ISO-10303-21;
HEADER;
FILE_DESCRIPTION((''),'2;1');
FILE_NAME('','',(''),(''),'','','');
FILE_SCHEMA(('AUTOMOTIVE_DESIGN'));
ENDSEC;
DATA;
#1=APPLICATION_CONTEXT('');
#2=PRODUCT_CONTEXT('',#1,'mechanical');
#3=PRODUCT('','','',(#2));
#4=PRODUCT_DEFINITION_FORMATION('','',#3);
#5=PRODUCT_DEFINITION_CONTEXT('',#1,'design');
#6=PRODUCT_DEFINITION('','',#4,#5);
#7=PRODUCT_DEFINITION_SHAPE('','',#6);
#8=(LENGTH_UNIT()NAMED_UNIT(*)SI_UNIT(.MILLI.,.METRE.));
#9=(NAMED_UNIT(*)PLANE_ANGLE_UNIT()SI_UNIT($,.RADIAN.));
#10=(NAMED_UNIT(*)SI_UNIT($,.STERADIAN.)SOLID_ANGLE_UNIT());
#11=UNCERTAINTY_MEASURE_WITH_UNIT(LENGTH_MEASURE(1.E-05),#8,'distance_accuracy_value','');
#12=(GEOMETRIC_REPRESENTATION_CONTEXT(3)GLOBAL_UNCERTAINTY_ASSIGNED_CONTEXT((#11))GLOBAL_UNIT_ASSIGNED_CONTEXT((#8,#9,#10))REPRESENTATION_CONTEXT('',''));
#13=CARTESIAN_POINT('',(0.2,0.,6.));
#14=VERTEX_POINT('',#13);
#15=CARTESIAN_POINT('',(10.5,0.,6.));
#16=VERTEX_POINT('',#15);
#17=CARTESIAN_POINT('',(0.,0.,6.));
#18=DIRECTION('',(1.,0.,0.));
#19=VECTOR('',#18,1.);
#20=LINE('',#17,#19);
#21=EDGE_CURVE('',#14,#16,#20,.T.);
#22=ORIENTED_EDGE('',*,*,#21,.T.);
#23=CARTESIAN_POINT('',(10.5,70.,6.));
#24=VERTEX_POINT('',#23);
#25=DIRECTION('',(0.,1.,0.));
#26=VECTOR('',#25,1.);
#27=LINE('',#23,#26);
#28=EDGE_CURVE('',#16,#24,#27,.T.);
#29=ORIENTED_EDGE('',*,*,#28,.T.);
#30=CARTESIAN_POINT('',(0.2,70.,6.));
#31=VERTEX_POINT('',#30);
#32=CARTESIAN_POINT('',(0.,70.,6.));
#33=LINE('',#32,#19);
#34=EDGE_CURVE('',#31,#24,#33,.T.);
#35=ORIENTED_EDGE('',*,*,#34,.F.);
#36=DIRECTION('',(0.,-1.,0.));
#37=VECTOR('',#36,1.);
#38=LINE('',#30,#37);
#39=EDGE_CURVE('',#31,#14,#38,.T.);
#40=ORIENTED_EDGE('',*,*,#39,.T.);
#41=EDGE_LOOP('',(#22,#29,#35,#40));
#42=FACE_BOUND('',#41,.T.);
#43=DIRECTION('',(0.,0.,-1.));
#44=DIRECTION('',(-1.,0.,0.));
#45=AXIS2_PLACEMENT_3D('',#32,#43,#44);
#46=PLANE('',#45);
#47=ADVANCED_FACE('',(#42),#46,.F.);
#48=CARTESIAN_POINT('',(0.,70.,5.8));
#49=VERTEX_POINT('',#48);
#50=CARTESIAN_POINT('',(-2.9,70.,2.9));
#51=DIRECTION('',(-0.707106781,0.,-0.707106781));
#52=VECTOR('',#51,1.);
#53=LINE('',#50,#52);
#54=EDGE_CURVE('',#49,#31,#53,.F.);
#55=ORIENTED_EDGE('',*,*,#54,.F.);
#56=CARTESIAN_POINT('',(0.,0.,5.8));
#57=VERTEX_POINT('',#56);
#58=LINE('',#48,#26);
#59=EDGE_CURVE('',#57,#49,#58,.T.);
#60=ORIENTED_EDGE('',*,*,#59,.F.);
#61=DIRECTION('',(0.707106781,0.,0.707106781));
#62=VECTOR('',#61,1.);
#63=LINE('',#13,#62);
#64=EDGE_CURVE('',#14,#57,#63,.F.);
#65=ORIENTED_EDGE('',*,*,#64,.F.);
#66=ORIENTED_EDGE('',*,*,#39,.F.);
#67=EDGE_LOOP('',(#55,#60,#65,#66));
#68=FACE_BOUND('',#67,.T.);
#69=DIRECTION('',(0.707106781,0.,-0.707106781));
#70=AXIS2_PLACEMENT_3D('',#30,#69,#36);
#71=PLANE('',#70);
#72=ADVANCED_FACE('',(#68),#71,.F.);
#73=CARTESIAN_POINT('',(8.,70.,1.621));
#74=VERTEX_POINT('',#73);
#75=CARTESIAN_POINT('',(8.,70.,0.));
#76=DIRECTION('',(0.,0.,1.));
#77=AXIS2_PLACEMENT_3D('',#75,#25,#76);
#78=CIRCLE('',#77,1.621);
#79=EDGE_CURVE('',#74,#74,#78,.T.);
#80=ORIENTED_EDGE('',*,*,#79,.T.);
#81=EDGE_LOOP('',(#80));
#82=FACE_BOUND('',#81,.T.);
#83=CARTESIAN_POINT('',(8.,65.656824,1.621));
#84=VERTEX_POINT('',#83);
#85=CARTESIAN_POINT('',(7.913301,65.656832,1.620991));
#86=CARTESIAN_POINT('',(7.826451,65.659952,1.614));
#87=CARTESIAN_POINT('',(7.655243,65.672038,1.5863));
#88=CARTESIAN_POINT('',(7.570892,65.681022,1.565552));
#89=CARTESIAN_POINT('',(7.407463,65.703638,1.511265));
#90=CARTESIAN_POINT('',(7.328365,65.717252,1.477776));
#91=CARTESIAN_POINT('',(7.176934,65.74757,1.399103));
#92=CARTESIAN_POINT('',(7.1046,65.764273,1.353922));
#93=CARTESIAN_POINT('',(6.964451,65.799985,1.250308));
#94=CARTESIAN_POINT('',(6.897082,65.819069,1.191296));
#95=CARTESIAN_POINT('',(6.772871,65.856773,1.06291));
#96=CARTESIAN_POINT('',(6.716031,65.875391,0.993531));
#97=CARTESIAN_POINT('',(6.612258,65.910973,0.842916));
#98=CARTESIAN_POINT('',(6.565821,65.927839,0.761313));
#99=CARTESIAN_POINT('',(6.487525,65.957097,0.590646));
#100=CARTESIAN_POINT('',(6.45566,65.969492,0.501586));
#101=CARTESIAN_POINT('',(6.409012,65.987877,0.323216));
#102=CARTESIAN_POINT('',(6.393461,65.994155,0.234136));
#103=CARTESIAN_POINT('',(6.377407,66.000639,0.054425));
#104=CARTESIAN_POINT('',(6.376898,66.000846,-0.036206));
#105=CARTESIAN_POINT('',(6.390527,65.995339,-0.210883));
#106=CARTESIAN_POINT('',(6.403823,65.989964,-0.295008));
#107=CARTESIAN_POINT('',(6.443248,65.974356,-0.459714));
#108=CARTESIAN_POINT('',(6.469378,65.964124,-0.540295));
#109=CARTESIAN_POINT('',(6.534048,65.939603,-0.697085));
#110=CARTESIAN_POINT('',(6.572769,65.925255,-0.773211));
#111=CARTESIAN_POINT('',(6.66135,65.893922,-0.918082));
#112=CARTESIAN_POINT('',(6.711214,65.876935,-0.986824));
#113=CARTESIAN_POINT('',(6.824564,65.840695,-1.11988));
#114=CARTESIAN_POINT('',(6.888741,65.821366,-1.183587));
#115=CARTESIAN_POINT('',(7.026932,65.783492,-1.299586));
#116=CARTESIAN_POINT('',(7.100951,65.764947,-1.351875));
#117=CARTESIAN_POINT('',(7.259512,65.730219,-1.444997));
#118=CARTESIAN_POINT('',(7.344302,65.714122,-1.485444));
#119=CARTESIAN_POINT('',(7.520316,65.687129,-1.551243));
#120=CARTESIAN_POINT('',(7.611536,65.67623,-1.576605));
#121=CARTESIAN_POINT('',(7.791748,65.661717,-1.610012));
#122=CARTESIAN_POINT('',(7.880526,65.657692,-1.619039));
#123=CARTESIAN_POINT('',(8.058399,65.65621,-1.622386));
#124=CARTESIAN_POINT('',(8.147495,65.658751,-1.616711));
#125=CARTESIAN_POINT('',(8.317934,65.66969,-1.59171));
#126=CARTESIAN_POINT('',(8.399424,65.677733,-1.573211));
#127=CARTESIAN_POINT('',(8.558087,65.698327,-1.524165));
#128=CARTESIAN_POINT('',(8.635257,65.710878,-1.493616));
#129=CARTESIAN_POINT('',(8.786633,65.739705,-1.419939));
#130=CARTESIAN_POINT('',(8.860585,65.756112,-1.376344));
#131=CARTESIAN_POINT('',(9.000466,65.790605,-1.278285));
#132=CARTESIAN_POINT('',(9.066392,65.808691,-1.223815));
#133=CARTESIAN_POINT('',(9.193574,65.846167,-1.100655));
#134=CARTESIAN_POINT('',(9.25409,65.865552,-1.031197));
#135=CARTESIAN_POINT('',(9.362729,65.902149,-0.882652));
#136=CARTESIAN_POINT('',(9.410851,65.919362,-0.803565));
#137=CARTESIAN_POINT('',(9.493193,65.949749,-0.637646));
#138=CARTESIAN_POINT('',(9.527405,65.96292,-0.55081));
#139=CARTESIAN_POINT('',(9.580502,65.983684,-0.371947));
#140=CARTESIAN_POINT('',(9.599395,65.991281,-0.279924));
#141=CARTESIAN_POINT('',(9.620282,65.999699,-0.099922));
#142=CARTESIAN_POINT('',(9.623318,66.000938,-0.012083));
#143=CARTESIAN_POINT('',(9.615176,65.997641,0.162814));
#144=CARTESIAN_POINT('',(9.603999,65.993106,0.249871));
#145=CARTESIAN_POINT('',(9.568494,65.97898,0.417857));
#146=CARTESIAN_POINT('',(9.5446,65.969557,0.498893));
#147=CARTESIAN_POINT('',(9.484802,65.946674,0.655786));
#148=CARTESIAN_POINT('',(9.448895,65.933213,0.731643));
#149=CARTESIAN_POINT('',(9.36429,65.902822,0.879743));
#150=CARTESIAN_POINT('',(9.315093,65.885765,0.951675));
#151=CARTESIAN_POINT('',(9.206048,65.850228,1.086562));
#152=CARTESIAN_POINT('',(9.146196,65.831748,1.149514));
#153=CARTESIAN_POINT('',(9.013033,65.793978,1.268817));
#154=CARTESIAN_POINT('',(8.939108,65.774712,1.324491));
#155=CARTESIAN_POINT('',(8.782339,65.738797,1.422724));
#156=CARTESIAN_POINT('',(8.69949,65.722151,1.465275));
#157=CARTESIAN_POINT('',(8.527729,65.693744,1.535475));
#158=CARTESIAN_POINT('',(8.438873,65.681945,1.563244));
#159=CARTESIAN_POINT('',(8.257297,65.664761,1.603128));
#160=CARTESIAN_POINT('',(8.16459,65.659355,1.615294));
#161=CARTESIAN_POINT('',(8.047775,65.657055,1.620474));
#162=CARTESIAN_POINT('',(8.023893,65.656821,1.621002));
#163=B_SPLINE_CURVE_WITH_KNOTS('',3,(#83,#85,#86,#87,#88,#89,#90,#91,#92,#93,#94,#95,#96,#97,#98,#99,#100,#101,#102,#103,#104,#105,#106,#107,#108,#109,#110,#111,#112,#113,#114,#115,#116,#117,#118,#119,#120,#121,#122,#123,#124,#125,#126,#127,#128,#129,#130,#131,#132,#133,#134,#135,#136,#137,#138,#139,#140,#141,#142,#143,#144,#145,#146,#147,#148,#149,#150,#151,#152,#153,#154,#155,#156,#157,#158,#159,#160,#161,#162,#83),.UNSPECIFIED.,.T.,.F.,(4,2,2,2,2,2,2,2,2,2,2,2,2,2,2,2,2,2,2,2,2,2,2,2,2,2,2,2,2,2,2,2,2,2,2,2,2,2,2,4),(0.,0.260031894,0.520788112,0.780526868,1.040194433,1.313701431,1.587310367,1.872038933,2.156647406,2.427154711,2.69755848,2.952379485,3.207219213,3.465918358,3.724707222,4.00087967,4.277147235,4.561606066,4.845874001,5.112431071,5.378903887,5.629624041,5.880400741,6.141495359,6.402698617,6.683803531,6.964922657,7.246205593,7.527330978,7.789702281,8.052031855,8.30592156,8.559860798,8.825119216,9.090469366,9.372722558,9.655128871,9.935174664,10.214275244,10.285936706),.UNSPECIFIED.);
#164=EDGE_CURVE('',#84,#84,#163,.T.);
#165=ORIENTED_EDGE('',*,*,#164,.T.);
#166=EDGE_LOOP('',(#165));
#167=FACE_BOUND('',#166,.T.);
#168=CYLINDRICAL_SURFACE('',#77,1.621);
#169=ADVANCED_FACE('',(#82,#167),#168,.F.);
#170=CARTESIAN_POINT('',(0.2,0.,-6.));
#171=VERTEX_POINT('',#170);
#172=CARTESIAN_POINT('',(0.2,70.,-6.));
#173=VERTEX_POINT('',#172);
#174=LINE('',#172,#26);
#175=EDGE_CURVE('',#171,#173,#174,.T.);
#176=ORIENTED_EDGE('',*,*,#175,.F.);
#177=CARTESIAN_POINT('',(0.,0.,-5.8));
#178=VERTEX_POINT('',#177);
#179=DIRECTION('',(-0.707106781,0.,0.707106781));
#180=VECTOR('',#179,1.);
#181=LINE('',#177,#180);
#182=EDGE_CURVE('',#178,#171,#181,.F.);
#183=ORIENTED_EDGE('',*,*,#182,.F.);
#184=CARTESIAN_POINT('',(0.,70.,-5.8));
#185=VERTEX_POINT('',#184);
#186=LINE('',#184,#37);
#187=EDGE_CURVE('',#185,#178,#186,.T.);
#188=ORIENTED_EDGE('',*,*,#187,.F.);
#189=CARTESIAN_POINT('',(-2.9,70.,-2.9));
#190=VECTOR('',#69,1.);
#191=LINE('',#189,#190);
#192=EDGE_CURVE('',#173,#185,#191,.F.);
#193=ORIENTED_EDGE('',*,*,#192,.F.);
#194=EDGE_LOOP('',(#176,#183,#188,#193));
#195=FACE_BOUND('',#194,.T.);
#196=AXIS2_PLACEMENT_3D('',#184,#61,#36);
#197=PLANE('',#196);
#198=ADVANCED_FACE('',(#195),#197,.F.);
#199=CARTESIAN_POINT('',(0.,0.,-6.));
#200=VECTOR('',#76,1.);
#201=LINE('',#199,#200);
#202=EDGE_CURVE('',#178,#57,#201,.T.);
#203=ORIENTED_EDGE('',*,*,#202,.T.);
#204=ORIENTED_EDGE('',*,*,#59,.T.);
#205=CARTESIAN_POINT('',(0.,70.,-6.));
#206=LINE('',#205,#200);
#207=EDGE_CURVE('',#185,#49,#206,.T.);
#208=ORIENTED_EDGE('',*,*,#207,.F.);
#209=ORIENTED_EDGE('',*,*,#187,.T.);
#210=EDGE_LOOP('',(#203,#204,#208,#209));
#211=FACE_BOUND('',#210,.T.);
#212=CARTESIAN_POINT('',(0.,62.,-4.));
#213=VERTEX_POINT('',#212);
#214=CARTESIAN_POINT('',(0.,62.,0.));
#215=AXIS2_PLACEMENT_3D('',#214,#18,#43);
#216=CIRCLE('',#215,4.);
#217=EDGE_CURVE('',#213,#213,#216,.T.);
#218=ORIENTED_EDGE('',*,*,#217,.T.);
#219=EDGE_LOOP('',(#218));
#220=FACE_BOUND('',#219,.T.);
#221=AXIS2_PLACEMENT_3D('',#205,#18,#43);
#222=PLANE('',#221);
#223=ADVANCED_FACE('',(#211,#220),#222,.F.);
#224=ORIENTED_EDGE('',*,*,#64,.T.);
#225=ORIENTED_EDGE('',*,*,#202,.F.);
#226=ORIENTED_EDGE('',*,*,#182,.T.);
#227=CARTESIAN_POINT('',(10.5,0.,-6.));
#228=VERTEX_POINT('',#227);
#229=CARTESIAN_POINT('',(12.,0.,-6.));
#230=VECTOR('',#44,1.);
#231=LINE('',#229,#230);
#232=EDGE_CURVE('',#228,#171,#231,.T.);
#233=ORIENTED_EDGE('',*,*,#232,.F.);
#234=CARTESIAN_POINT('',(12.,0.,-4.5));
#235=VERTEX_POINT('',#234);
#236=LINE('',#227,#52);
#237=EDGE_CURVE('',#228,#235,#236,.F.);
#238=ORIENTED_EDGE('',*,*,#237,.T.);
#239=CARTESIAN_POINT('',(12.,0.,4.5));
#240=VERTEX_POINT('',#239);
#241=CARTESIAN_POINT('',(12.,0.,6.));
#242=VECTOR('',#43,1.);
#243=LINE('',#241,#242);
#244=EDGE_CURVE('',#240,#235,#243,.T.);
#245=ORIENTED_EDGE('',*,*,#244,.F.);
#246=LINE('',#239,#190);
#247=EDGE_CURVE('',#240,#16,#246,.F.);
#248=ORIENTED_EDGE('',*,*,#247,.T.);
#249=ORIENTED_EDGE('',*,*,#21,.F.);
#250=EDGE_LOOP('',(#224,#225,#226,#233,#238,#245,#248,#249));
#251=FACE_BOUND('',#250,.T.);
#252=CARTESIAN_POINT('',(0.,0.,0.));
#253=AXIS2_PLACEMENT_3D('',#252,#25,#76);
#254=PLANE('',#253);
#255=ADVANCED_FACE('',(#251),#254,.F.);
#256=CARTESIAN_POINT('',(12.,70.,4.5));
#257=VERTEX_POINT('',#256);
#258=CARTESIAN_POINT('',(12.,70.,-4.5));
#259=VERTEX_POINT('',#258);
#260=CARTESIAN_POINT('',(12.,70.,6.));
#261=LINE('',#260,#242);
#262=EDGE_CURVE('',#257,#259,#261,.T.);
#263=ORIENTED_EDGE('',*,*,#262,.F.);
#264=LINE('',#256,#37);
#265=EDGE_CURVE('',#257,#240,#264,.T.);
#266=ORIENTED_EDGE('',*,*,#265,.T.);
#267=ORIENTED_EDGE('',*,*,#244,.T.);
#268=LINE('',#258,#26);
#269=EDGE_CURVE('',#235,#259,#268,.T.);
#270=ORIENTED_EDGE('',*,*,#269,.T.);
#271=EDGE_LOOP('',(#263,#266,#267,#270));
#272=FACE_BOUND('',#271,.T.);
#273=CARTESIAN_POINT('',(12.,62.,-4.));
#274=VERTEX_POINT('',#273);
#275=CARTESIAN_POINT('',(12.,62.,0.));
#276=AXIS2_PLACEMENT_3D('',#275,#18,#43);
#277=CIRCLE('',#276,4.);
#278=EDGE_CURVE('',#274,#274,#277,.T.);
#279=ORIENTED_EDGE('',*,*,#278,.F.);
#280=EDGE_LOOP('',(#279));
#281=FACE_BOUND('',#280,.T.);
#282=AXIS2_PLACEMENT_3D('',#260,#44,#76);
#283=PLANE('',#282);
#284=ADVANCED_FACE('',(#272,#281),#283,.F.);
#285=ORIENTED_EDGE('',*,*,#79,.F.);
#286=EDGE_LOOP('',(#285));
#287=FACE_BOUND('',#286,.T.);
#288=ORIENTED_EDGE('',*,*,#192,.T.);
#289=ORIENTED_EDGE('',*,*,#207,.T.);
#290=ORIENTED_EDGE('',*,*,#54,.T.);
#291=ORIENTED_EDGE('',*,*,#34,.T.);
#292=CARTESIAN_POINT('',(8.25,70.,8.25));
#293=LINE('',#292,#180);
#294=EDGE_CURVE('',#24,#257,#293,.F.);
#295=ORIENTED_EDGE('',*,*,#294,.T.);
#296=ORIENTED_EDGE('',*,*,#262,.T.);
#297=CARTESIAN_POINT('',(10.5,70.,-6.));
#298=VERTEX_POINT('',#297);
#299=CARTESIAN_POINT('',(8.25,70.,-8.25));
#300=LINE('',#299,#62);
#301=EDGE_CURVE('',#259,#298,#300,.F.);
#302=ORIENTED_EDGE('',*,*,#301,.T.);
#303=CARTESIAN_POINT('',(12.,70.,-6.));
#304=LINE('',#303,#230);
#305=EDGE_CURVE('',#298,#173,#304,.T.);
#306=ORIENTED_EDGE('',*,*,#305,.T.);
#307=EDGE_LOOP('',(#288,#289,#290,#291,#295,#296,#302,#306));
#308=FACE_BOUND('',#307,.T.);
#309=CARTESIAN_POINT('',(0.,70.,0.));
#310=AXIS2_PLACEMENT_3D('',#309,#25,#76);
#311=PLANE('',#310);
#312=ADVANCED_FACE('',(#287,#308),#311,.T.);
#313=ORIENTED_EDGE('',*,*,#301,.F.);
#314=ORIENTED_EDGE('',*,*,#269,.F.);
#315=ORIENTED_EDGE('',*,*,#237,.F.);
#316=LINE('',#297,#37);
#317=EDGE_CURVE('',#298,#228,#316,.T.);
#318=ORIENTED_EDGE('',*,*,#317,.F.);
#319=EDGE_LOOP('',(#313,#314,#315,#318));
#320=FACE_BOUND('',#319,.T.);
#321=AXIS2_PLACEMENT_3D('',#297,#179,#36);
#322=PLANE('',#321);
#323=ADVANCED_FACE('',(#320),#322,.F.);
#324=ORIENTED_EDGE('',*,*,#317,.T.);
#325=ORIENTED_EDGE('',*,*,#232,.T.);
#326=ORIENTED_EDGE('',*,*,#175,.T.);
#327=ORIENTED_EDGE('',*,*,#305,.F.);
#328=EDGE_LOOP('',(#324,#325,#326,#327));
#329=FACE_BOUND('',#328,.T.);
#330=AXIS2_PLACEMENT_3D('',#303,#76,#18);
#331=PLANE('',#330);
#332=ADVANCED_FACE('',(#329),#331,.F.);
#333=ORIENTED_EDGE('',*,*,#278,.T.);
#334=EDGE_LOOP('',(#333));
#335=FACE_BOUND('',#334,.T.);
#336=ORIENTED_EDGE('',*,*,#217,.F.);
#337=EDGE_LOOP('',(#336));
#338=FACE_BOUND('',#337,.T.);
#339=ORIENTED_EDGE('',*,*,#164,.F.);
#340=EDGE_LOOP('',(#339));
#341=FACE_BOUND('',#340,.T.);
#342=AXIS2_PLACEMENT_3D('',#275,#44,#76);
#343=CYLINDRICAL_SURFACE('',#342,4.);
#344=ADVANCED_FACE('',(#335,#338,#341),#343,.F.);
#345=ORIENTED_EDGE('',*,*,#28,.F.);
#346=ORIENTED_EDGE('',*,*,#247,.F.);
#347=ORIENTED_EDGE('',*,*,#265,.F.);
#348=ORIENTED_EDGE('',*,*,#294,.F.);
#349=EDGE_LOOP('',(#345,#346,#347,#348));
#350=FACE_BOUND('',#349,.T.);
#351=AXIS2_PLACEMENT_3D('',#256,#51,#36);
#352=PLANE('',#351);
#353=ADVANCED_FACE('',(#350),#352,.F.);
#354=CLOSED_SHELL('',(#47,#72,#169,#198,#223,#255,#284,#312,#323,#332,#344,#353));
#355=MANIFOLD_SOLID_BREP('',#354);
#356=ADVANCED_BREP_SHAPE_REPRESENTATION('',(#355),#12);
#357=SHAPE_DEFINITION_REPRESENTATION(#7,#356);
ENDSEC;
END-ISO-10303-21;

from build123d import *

# Parameters (mm, degrees)
SKETCH1_W           = 12
SKETCH1_H           = 12
BOSS_EXTRUDE1_DEPTH = 70
CHAMFER1_SIZE       = 0.2
CHAMFER2_SIZE       = 1.5
SKETCH2_R           = 4
CUT_EXTRUDE1_DEPTH  = 72.274118725
TAP1_REACH          = 73.274
TAP1_BORE_R         = 1.621


with BuildPart() as part:
    # Sketch1 → Boss-Extrude1 (new body)
    with BuildSketch(Plane(origin=(0, 0, 0), x_dir=(1, 0, 0), z_dir=(0, 1, 0))):
        with Locations((6, 0)):
            Rectangle(SKETCH1_W, SKETCH1_H)
    extrude(amount=BOSS_EXTRUDE1_DEPTH)

    # Chamfer1
    chamfer1_edges = [part.edges().sort_by_distance(p)[0] for p in [
        (0, 35, 6),
        (0, 35, -6),
    ]]
    chamfer(chamfer1_edges, length=CHAMFER1_SIZE)

    # Chamfer2
    chamfer2_edges = [part.edges().sort_by_distance(p)[0] for p in [
        (12, 35, -6),
        (12, 35, 6),
    ]]
    chamfer(chamfer2_edges, length=CHAMFER2_SIZE)

    # Sketch2 → Cut-Extrude1 (cut, through all)
    with BuildSketch(Plane(origin=(0, 0, 0), x_dir=(0, 0, -1), z_dir=(1, 0, 0))):
        with Locations(Location((0, 62, 0), (0, 0, 180))):
            Circle(SKETCH2_R)
    extrude(amount=CUT_EXTRUDE1_DEPTH, mode=Mode.SUBTRACT)

    # Tap1 bore → Tap1 (cut, up to next)
    with BuildSketch(Plane(origin=(0, 70, 0), x_dir=(1, 0, 0), z_dir=(0, 1, 0)), mode=Mode.PRIVATE) as tap1_sk1:
        with Locations((8, 0)):
            Circle(TAP1_BORE_R)
    tap1_tool1 = extrude(tap1_sk1.sketch, amount=-TAP1_REACH, mode=Mode.PRIVATE) & part.part
    add(tap1_tool1.solids().sort_by_distance((8, 70, 0))[0], mode=Mode.SUBTRACT)


solid = part.part
